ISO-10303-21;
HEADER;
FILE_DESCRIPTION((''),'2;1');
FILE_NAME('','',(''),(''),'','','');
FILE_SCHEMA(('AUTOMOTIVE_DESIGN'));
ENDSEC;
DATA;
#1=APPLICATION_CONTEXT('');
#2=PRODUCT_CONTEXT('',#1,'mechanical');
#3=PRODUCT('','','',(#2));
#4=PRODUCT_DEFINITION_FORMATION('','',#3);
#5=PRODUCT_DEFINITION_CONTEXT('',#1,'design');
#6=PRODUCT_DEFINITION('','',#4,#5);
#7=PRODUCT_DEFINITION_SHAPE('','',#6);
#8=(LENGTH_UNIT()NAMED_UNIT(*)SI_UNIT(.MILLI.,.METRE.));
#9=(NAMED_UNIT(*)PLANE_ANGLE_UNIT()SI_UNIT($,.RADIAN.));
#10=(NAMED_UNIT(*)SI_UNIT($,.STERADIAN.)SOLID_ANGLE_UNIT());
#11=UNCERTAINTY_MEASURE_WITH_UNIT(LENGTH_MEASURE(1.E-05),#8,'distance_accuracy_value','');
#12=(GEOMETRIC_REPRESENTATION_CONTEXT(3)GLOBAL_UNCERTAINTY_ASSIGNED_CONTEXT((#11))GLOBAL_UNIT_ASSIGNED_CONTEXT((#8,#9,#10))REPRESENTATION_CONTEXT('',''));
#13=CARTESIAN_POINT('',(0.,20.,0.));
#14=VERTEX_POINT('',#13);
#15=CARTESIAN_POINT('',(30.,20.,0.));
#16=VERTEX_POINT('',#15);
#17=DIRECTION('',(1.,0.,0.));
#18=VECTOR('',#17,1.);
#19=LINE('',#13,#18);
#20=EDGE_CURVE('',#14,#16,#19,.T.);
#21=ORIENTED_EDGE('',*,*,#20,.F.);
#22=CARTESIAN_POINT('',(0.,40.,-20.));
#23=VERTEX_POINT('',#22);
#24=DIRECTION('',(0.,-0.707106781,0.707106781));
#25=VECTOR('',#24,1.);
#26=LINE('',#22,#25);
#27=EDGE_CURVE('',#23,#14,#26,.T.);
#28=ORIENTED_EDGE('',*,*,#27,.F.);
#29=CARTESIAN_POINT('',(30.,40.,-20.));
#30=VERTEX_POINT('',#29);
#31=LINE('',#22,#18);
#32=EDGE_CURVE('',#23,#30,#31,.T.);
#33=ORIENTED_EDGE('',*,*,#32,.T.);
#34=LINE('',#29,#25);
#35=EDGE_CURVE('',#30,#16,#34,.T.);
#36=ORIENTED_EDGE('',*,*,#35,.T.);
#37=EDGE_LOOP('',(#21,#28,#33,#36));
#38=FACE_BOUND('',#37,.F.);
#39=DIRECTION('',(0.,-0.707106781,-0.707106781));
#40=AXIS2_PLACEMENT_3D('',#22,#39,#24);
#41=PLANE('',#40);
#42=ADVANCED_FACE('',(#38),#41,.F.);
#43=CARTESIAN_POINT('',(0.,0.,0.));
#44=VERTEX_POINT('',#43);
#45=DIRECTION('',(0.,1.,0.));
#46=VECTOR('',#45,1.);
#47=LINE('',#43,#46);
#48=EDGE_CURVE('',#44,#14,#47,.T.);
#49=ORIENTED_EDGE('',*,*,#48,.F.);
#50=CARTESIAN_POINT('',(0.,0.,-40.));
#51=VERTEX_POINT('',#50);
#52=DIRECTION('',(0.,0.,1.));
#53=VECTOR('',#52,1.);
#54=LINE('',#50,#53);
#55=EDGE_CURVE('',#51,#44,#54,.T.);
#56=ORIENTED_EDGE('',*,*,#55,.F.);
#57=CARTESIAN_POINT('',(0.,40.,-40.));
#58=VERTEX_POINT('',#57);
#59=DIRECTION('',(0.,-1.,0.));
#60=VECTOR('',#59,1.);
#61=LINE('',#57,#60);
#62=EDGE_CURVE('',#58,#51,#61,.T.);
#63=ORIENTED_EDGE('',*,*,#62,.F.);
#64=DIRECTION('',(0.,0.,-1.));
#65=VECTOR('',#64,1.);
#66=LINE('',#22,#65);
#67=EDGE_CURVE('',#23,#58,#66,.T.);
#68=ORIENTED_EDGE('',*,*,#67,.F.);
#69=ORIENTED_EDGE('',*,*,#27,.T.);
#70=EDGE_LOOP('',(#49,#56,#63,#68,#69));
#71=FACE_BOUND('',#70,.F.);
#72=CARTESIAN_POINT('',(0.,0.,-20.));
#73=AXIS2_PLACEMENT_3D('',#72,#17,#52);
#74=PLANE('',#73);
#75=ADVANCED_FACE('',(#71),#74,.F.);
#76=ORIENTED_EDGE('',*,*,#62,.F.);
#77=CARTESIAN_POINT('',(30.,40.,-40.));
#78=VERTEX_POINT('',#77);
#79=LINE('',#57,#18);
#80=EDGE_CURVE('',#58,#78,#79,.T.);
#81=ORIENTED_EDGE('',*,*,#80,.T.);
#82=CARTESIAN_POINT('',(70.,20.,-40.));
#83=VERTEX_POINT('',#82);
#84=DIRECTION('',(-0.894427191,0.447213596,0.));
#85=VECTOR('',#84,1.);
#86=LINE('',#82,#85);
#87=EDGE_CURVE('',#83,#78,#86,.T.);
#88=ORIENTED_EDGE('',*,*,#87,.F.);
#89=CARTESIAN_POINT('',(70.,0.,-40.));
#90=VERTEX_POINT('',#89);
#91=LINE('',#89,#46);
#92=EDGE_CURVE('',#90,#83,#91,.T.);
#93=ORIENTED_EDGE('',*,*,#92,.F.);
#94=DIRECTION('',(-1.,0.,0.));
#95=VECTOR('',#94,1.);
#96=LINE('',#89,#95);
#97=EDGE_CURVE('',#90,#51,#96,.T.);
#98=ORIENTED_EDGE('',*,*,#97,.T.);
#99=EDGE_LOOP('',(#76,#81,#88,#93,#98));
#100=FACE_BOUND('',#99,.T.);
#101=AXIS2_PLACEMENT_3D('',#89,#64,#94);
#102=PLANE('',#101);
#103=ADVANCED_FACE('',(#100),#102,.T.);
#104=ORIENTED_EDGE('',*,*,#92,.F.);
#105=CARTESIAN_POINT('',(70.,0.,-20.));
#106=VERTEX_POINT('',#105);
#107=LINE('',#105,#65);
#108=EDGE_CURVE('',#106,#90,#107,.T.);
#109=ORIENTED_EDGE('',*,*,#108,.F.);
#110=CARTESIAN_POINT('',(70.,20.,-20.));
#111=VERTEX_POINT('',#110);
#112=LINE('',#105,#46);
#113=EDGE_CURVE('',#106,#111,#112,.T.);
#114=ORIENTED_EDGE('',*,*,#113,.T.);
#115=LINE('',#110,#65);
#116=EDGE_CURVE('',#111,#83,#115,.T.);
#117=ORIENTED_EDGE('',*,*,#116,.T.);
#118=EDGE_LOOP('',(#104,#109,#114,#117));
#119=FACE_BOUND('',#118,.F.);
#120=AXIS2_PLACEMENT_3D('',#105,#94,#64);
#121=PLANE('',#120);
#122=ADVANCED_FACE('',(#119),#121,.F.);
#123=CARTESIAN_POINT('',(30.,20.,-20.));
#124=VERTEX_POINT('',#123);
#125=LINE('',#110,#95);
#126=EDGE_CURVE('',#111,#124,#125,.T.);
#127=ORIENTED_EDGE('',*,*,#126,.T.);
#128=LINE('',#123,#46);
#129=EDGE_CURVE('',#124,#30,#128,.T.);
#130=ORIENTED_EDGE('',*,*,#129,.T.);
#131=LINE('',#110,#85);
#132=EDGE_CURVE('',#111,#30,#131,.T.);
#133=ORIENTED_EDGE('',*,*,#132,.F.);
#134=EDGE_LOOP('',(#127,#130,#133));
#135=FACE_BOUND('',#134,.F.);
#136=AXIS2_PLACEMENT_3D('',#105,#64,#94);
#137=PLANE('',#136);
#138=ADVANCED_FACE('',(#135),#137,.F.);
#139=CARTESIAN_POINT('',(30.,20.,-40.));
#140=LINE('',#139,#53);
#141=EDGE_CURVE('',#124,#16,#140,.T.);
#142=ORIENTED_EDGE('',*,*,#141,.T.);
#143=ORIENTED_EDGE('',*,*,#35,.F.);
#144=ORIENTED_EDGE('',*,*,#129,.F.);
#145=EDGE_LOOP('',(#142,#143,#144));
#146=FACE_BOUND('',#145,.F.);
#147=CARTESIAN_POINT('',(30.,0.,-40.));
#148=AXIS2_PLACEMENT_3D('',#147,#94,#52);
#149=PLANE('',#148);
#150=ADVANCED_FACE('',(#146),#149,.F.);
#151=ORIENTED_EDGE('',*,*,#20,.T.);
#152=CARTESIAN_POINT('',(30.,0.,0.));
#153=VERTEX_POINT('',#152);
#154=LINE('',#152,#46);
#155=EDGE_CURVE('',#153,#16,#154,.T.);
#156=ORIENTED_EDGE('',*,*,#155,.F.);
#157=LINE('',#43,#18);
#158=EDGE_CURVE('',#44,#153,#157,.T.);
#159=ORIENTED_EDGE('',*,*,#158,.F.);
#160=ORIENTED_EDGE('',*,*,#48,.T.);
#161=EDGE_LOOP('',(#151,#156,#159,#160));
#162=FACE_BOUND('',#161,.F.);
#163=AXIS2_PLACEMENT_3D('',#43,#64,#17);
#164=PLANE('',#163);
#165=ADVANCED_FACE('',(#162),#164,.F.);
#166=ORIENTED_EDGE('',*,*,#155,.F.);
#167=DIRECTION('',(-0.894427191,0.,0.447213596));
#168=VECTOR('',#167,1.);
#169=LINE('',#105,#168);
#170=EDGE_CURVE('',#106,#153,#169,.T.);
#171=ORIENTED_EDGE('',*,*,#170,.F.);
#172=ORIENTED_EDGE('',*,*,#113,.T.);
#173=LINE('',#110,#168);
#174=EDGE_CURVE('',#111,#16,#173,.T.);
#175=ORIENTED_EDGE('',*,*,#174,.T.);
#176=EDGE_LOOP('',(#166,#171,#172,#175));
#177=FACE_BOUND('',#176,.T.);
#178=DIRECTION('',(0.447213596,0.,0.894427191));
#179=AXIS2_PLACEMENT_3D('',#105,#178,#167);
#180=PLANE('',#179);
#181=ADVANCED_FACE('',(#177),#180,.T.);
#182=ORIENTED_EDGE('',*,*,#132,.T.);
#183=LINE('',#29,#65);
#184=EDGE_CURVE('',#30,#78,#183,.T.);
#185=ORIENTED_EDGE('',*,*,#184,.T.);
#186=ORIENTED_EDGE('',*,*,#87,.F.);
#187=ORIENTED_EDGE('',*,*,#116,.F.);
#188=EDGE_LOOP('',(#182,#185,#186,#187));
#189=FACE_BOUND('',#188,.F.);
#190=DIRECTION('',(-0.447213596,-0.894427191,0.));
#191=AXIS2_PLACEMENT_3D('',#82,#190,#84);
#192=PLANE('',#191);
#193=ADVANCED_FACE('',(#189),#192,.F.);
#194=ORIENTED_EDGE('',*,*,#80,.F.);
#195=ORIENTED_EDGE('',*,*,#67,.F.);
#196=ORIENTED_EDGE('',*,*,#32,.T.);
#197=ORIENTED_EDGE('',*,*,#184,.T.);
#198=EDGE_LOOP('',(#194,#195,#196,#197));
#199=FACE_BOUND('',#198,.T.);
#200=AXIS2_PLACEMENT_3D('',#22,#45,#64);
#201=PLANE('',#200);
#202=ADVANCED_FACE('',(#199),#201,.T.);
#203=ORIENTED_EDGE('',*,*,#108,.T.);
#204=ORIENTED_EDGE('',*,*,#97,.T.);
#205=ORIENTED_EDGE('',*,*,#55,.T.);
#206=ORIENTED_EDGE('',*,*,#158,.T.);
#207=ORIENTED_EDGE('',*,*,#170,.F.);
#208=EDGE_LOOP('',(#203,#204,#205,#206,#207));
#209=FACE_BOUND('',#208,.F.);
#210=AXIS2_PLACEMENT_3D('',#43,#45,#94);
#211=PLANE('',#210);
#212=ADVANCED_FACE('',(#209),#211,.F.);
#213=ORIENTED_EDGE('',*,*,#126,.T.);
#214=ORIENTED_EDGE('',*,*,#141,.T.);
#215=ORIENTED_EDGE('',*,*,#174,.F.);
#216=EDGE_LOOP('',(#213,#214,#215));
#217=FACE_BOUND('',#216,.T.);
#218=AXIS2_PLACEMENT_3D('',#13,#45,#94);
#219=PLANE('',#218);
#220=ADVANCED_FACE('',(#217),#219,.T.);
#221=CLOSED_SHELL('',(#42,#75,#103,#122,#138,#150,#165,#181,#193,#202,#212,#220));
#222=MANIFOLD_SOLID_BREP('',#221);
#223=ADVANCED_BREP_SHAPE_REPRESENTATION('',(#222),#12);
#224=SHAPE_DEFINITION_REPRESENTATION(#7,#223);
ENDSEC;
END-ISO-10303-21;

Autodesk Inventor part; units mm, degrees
ref_plane "YZ Plane" through (0, 0, 0) normal (1, 0, 0) x (0, 1, 0)
ref_plane "XZ Plane" through (0, 0, 0) normal (0, 1, 0) x (-1, 0, 0)
ref_plane "XY Plane" through (0, 0, 0) normal (0, 0, 1) x (1, 0, 0)
sketch "草圖1" plane through (0, 0, 0) normal (0, 1, 0) x (-1, 0, 0)
  line L0 (0, 0) -> (-30, 0)
  line L1 (-30, 0) -> (-30, -20)
  line L2 (-30, -20) -> (0, -20)
  line L3 (0, -20) -> (0, 0)
  line L4 (0, -20) -> (-70, -20)
  line L5 (-70, -20) -> (-70, -40)
  line L6 (-70, -40) -> (0, -40)
  line L7 (0, -40) -> (0, -20)
  line L8 (-70, -20) -> (-30, 0)
  dimension "d0" = 70
  dimension "d1" = 20
  dimension "d2" = 20
  dimension "d3" = 30
extrude "擠出1" add sketch "草圖1" along normal blind 20
sketch "草圖2" plane through (0, 0, -40) normal (-1, 0, 0) x (0, 0, 1)
  line L0 (0, 0) -> (0, 20) projected
  line L1 (0, 20) -> (20, 20)
  line L2 (20, 20) -> (20, 40)
  line L3 (20, 40) -> (0, 40)
  line L4 (0, 40) -> (0, 20)
  line L5 (20, 40) -> (40, 20)
  line L6 (40, 20) -> (20, 20)
  line L7 (40, 20) -> (20, 20) projected
  point P0 (40, 0)
  dimension "d6" = 20
  dimension "d7" = 20
extrude "擠出2" add sketch "草圖2" against normal blind 30
sketch "草圖3" plane through (70, 0, -40) normal (0, 0, -1) x (-1, 0, 0)
  line L0 (40, 20) -> (40, 40) projected
  line L1 (0, 20) -> (40, 20) projected
  line L2 (0, 20) -> (40, 40)
  point P0 (70, 0)
extrude "擠出3" add sketch "草圖3" against normal blind 20
properties part number "13"
